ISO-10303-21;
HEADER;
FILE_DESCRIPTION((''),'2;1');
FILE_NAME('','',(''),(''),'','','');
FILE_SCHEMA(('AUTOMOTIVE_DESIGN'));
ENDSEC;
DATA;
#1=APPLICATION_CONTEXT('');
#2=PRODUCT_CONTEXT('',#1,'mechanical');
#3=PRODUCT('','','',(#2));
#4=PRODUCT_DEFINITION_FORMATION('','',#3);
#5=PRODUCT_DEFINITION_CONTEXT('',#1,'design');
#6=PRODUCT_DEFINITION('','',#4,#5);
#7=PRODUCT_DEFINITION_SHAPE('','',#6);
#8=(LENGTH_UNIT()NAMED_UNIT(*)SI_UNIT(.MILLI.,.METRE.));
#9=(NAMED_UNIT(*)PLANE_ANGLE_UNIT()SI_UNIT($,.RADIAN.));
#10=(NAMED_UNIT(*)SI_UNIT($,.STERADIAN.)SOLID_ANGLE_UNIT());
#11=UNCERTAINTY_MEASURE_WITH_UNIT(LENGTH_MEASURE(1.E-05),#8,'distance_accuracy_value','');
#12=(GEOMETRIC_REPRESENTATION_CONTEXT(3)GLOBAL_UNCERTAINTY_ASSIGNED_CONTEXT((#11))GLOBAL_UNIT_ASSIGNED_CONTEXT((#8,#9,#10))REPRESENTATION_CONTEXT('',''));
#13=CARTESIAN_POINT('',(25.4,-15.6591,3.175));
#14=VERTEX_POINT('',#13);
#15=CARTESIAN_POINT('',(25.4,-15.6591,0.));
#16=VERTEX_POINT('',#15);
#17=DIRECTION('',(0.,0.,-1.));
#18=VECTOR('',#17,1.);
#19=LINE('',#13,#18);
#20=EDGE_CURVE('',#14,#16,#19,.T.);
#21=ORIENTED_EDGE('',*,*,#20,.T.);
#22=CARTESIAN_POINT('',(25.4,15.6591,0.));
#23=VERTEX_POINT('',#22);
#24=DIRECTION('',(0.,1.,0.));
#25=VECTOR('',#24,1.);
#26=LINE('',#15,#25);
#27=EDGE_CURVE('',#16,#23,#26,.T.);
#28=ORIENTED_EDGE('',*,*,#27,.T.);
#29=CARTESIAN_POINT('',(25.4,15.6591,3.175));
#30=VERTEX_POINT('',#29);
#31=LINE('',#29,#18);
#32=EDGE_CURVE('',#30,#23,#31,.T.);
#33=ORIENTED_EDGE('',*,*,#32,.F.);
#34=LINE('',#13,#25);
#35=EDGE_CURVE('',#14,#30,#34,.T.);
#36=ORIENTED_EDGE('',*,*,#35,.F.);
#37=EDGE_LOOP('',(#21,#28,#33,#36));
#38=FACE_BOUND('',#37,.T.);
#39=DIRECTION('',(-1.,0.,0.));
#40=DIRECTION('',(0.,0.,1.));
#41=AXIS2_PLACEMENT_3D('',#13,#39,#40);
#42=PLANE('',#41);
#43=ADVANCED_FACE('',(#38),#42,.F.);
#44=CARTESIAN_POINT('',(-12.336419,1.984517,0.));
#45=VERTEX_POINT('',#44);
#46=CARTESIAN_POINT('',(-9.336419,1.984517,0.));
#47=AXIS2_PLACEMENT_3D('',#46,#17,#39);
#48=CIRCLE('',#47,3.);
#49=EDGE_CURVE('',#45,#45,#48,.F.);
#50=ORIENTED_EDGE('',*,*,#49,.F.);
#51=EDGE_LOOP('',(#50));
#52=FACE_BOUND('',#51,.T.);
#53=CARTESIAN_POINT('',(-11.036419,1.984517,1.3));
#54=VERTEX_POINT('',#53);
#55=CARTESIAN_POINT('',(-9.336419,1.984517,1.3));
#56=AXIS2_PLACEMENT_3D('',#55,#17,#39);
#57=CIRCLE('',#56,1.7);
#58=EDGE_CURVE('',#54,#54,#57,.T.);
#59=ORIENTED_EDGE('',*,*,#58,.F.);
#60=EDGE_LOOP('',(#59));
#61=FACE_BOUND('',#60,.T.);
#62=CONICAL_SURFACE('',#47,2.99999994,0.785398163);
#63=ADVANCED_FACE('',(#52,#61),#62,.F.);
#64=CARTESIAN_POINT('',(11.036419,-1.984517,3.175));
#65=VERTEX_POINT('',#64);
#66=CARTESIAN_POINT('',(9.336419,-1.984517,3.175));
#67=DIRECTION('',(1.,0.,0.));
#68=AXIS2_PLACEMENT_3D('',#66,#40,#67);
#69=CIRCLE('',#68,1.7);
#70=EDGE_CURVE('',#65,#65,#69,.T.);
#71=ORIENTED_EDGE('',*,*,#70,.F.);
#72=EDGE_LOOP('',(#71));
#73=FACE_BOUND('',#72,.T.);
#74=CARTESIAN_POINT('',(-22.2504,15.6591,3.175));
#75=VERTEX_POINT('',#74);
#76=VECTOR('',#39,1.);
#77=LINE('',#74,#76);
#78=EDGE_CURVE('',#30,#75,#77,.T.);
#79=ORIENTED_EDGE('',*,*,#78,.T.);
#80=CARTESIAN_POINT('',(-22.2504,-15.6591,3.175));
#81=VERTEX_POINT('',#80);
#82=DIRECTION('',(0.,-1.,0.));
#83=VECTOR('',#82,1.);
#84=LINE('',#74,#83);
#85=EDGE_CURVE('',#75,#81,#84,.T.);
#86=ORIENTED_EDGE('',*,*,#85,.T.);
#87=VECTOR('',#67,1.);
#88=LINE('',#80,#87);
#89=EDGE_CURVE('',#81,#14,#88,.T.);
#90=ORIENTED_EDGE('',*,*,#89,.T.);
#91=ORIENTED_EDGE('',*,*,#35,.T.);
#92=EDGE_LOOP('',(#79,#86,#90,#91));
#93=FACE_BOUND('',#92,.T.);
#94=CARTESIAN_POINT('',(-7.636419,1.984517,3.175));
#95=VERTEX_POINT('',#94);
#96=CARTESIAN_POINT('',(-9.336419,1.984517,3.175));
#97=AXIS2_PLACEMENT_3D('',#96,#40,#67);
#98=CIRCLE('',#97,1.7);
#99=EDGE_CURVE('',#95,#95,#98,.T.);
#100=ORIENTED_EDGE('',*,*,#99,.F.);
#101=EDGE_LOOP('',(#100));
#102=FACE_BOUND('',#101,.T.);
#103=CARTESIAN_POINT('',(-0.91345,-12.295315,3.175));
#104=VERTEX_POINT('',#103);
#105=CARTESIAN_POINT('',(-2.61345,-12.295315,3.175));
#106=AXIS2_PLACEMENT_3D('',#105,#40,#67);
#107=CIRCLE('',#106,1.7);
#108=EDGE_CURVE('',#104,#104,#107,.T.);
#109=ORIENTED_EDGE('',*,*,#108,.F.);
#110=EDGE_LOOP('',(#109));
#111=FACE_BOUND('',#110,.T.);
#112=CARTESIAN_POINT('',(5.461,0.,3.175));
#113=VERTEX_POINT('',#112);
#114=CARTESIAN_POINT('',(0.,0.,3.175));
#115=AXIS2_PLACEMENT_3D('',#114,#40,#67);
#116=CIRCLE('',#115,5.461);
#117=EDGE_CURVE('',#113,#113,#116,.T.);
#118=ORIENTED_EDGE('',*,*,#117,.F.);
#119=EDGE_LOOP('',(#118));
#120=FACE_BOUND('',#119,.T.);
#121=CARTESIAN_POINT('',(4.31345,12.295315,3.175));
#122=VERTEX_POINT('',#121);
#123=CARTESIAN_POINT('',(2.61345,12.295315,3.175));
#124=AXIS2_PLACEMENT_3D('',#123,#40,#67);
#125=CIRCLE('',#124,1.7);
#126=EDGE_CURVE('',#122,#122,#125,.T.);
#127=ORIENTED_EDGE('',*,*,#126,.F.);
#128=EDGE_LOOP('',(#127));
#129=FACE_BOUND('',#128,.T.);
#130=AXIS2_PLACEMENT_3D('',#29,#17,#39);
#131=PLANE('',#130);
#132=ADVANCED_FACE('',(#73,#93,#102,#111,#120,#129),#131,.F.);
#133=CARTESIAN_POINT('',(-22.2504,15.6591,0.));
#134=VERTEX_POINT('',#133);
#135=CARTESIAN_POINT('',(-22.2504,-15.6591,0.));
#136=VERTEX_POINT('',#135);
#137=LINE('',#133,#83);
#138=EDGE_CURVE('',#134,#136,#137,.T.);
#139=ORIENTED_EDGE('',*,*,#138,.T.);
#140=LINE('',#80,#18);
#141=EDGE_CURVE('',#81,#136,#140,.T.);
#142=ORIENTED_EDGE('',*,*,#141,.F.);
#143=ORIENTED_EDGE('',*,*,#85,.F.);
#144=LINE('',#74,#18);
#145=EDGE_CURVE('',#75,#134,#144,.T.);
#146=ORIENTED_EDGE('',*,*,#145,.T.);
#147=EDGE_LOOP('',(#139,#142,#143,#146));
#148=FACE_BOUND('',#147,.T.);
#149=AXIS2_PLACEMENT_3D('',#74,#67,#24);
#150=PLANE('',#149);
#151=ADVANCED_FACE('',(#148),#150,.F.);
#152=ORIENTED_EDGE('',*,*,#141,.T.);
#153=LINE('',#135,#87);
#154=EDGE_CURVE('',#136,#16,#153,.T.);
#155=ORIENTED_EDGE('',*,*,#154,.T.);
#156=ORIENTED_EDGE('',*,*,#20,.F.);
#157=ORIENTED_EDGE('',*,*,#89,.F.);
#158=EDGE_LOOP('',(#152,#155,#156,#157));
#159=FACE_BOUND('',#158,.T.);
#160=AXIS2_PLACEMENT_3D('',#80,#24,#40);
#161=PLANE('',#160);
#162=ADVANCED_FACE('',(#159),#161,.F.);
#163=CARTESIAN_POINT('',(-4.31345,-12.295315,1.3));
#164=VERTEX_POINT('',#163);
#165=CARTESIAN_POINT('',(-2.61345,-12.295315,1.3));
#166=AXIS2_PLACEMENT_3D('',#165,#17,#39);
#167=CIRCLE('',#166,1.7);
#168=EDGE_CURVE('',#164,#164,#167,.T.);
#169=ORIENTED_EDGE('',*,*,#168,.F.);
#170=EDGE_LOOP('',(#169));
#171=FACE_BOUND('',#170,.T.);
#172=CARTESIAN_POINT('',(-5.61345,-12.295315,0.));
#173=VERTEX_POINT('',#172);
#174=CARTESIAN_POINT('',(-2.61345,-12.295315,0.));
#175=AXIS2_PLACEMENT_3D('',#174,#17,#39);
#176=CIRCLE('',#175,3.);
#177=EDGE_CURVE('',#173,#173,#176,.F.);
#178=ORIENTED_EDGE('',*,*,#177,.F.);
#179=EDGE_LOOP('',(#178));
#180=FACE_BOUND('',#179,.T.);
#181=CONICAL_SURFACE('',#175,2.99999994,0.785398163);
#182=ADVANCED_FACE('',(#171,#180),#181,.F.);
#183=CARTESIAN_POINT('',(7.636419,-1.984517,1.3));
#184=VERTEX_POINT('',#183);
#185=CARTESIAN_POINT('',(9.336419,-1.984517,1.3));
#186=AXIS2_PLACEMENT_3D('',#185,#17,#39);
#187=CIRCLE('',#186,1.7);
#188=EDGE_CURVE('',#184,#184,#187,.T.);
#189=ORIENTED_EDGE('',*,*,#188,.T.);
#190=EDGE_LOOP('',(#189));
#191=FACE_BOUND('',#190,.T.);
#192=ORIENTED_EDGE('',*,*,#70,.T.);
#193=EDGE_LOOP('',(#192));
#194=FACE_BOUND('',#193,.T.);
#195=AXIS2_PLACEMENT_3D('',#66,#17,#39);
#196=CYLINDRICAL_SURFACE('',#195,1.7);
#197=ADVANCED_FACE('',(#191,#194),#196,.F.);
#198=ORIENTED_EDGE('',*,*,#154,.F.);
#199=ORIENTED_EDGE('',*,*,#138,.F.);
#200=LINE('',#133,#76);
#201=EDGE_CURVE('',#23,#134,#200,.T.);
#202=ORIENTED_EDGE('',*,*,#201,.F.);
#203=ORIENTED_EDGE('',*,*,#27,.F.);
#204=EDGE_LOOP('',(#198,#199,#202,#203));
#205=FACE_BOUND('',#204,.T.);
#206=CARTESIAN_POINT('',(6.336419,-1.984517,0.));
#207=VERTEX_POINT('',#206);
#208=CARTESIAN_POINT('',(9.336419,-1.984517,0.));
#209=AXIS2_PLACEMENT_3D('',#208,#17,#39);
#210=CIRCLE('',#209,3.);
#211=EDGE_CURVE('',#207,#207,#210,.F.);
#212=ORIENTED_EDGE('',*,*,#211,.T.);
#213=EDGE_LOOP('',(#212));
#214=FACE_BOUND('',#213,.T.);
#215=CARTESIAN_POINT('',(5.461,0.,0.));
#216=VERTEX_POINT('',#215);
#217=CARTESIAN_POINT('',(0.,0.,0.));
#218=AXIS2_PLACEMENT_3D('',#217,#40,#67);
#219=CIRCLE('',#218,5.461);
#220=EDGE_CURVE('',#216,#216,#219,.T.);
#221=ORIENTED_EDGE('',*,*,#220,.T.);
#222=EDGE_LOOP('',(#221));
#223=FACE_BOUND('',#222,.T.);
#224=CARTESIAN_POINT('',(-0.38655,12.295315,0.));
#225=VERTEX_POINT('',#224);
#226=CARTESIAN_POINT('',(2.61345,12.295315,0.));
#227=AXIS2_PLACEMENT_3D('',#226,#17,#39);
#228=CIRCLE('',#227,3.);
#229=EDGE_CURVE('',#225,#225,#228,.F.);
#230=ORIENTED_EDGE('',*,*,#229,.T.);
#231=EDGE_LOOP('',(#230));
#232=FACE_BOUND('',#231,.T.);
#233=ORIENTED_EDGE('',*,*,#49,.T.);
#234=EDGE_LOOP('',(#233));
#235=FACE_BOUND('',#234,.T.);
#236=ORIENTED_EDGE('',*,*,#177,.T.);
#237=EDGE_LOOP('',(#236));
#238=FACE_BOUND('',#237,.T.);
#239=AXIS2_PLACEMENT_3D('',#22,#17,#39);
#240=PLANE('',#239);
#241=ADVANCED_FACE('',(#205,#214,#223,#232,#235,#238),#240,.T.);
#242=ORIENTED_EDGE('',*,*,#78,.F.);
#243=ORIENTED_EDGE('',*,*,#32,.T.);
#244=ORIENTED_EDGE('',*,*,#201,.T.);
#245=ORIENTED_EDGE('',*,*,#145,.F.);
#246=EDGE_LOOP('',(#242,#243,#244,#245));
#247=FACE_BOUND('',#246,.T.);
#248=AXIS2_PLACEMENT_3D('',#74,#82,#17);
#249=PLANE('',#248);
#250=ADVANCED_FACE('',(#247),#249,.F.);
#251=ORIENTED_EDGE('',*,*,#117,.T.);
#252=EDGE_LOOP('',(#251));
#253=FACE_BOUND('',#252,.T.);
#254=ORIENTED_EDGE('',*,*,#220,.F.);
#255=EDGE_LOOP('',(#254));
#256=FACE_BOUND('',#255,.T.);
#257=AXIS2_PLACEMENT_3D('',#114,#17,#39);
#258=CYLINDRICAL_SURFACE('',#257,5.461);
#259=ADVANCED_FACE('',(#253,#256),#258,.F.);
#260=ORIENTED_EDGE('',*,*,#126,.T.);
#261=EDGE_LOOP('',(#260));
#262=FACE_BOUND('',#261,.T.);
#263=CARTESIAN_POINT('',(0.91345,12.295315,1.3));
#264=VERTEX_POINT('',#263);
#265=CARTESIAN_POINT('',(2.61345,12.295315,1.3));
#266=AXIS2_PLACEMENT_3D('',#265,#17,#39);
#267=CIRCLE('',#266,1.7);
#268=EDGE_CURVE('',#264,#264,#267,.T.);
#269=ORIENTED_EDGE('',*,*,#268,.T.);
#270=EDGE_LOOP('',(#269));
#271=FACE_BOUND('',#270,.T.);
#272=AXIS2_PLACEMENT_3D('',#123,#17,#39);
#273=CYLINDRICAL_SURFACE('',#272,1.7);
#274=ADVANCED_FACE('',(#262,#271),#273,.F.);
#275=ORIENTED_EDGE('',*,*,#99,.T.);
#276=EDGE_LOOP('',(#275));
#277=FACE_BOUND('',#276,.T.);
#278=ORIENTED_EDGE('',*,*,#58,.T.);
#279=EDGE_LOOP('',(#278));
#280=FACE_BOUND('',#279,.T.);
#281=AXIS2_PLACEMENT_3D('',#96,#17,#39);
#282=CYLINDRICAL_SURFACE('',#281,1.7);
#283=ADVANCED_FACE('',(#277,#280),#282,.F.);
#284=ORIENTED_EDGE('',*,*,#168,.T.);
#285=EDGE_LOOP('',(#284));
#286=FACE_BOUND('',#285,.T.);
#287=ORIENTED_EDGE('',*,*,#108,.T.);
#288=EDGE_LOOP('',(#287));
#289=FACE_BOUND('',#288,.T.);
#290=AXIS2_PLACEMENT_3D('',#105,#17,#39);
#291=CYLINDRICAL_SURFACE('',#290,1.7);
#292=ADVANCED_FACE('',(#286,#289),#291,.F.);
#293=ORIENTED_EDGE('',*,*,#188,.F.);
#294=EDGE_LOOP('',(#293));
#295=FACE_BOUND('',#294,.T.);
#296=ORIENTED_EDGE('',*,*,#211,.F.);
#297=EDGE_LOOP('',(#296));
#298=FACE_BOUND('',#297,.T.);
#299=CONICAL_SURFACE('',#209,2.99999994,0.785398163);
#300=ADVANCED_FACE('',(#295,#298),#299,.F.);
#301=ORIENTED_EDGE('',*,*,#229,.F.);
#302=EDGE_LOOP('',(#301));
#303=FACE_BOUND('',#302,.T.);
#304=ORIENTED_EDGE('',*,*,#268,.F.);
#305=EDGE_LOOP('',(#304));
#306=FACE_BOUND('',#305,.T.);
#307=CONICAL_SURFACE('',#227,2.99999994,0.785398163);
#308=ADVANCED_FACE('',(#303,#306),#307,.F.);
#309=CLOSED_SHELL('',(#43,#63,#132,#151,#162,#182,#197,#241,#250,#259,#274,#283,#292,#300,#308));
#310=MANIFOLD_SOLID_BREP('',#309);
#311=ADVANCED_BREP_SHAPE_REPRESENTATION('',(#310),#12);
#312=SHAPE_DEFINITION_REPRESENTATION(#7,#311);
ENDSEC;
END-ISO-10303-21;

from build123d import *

# Parameters (mm, degrees)
SKETCH1_W           = 47.6504
SKETCH1_H           = 31.3182
SKETCH1_R           = 1.7
SKETCH1_R_2         = 5.461
BOSS_EXTRUDE1_DEPTH = 3.175
CHAMFER1_SIZE       = 1.29999994


with BuildPart() as part:
    # Sketch1 → Boss-Extrude1 (new body)
    with BuildSketch(Plane.XY):
        with Locations((1.5748, 0)):
            Rectangle(SKETCH1_W, SKETCH1_H)
        with Locations((9.336418849, -1.984517089)):
            Circle(SKETCH1_R, mode=Mode.SUBTRACT)
        with Locations((-9.336418849, 1.984517089)):
            Circle(SKETCH1_R, mode=Mode.SUBTRACT)
        with Locations((2.613449954, 12.295315341)):
            Circle(SKETCH1_R, mode=Mode.SUBTRACT)
        with Locations((-2.613449954, -12.295315341)):
            Circle(SKETCH1_R, mode=Mode.SUBTRACT)
        Circle(SKETCH1_R_2, mode=Mode.SUBTRACT)
    extrude(amount=BOSS_EXTRUDE1_DEPTH)

    # Chamfer1
    chamfer1_edges = [part.edges().sort_by_distance(p)[0] for p in [
        (7.636418849, -1.984517089, 0),
        (-11.036418849, 1.984517089, 0),
        (0.913449954, 12.295315341, 0),
        (-4.313449954, -12.295315341, 0),
    ]]
    chamfer(chamfer1_edges, length=CHAMFER1_SIZE)


solid = part.part
